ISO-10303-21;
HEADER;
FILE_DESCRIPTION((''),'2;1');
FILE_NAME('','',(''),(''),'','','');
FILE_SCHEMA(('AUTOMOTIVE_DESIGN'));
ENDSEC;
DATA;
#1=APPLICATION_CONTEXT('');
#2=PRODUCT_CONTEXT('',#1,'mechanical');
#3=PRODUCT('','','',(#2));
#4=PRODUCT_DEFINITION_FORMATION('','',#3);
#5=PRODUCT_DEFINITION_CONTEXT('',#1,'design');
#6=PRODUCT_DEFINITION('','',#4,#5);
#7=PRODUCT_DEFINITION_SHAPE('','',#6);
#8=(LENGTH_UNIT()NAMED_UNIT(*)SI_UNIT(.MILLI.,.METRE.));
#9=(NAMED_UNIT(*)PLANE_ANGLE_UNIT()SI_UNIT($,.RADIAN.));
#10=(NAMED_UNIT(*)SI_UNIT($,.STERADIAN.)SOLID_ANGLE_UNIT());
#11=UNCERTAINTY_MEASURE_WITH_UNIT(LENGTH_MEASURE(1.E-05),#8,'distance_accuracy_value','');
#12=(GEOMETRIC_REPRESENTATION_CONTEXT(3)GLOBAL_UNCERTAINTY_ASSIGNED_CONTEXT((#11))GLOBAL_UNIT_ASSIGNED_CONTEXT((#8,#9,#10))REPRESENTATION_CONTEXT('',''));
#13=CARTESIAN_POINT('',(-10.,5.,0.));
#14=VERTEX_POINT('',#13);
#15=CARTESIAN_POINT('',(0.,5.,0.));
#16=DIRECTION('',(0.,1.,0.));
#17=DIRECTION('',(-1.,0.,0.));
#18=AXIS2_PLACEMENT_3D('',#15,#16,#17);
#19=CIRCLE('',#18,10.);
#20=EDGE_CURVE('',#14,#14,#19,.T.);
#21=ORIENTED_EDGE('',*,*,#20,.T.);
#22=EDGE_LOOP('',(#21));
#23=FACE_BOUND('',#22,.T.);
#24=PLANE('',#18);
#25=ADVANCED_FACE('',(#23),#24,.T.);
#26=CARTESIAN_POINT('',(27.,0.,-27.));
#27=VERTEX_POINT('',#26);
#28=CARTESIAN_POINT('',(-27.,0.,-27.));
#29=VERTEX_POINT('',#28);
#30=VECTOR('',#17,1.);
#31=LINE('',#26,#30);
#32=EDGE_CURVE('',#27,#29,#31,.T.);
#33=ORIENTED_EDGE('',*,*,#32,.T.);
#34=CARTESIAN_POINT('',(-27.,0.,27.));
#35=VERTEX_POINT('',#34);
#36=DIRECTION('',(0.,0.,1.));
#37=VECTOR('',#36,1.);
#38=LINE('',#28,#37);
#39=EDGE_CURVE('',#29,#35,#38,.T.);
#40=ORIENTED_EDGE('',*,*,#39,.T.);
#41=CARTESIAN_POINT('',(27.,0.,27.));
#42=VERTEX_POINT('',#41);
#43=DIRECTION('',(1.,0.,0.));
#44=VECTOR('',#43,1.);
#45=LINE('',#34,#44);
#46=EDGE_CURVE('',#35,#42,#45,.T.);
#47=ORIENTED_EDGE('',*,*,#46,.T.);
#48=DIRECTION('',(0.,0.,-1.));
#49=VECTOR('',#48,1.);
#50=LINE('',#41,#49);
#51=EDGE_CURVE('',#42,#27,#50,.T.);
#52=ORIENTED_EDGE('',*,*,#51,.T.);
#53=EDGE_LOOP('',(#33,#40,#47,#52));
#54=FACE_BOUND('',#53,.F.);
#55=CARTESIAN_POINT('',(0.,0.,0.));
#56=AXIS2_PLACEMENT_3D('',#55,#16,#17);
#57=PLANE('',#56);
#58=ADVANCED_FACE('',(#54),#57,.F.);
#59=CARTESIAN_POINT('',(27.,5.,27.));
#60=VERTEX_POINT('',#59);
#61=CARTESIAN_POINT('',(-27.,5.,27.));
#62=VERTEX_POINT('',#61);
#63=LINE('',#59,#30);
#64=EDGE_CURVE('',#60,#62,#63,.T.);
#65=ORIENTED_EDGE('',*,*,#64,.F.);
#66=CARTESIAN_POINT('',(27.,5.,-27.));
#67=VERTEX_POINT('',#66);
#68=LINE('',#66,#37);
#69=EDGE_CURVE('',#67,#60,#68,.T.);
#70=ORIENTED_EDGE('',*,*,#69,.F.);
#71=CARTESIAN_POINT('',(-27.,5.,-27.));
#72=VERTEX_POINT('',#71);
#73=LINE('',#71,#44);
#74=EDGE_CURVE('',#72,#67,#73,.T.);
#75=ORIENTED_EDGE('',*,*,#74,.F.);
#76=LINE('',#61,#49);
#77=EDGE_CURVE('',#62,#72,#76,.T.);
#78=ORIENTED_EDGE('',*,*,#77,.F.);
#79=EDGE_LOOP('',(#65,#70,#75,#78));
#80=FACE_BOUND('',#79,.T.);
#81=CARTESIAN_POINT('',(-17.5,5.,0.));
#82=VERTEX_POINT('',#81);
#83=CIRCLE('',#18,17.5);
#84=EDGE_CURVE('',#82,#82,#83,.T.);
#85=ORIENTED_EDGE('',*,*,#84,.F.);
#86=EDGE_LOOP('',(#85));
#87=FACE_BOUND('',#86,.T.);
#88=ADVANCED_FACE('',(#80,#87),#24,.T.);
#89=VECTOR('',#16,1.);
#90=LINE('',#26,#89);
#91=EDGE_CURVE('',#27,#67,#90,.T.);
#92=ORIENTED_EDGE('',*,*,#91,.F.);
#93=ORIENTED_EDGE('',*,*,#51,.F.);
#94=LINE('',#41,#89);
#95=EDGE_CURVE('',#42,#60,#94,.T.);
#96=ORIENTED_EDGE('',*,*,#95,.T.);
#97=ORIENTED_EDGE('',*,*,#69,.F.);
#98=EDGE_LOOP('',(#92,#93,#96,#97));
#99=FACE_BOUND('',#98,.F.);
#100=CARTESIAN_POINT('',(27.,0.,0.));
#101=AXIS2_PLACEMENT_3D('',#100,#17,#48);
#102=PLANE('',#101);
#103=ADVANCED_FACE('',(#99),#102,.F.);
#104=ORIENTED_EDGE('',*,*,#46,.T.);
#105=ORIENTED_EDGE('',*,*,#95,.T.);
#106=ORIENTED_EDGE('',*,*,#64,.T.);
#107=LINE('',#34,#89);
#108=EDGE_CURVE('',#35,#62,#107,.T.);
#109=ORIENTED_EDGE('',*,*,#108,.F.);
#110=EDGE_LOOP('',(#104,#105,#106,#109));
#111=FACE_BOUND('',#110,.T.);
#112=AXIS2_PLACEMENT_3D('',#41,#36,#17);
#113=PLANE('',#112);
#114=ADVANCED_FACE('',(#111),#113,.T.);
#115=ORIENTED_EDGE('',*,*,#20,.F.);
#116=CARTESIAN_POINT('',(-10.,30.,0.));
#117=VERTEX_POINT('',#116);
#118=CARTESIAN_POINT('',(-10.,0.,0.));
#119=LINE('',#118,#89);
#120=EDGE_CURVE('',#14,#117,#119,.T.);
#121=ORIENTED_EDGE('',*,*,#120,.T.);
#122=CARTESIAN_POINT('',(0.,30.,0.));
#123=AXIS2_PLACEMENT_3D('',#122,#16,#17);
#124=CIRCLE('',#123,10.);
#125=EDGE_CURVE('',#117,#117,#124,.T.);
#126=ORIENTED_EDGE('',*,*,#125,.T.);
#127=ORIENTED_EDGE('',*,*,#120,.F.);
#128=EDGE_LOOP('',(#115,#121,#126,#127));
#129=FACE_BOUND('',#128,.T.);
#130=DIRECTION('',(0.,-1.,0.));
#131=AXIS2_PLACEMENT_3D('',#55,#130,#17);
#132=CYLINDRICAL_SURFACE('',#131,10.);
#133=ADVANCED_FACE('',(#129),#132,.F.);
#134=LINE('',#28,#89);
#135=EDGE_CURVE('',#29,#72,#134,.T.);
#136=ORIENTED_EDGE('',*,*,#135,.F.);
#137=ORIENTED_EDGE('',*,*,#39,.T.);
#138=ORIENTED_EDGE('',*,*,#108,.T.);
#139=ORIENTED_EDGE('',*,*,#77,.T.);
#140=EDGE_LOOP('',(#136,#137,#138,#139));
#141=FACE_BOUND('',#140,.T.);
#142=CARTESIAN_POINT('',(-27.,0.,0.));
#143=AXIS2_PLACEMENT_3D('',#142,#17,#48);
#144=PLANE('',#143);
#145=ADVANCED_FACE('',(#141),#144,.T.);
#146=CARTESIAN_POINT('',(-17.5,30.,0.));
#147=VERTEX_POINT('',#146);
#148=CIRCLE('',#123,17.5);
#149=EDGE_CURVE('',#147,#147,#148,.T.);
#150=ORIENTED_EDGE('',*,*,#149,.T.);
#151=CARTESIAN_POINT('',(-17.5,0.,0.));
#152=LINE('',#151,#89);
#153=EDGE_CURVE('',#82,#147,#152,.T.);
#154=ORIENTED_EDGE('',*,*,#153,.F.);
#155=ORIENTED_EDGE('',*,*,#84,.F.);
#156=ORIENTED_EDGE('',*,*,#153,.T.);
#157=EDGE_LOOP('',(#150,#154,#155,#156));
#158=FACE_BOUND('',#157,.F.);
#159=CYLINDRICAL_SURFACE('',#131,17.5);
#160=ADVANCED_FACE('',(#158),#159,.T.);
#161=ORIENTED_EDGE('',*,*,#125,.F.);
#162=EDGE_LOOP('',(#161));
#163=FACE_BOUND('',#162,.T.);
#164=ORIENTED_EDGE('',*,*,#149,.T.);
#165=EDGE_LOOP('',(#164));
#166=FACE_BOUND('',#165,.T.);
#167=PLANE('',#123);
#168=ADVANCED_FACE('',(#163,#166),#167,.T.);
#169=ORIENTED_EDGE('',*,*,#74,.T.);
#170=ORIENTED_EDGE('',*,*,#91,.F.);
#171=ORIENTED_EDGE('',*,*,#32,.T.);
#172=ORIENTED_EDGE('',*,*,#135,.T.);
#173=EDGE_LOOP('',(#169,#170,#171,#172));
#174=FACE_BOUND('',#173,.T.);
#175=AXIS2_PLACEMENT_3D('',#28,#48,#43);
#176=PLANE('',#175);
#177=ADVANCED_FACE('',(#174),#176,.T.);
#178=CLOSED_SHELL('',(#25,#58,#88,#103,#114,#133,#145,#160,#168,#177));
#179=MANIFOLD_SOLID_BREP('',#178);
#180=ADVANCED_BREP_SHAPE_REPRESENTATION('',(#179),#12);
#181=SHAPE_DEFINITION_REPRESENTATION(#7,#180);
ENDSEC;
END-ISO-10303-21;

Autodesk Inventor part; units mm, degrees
ref_plane "YZ Plane" through (0, 0, 0) normal (1, 0, 0) x (0, 1, 0)
ref_plane "XZ Plane" through (0, 0, 0) normal (0, 1, 0) x (-1, 0, 0)
ref_plane "XY Plane" through (0, 0, 0) normal (0, 0, 1) x (1, 0, 0)
sketch "Szkic1" plane through (0, 0, 0) normal (0, 1, 0) x (-1, 0, 0)
  circle A0 centre (0, 0) radius 10
  line L0 (27, 0) -> (27, -27)
  line L1 (27, -27) -> (0, -27)
  line L2 (27, 0) -> (27, 27)
  line L3 (27, 27) -> (0, 27)
  line L4 (-27, 0) -> (-27, -27)
  line L5 (-27, -27) -> (0, -27)
  line L6 (-27, 0) -> (-27, 27)
  line L7 (-27, 27) -> (0, 27)
  circle A1 centre (0, 0) radius 17.5
  dimension "d0" = 20
  dimension "d6" = 54
  dimension "d7" = 54
  dimension "d8" = 35
extrude "Wyciągnięcie proste1" add sketch "Szkic1" along normal blind 5
extrude "Wyciągnięcie proste2" add sketch "Szkic1" along normal blind 30 contours A1
properties part number "kapek"
